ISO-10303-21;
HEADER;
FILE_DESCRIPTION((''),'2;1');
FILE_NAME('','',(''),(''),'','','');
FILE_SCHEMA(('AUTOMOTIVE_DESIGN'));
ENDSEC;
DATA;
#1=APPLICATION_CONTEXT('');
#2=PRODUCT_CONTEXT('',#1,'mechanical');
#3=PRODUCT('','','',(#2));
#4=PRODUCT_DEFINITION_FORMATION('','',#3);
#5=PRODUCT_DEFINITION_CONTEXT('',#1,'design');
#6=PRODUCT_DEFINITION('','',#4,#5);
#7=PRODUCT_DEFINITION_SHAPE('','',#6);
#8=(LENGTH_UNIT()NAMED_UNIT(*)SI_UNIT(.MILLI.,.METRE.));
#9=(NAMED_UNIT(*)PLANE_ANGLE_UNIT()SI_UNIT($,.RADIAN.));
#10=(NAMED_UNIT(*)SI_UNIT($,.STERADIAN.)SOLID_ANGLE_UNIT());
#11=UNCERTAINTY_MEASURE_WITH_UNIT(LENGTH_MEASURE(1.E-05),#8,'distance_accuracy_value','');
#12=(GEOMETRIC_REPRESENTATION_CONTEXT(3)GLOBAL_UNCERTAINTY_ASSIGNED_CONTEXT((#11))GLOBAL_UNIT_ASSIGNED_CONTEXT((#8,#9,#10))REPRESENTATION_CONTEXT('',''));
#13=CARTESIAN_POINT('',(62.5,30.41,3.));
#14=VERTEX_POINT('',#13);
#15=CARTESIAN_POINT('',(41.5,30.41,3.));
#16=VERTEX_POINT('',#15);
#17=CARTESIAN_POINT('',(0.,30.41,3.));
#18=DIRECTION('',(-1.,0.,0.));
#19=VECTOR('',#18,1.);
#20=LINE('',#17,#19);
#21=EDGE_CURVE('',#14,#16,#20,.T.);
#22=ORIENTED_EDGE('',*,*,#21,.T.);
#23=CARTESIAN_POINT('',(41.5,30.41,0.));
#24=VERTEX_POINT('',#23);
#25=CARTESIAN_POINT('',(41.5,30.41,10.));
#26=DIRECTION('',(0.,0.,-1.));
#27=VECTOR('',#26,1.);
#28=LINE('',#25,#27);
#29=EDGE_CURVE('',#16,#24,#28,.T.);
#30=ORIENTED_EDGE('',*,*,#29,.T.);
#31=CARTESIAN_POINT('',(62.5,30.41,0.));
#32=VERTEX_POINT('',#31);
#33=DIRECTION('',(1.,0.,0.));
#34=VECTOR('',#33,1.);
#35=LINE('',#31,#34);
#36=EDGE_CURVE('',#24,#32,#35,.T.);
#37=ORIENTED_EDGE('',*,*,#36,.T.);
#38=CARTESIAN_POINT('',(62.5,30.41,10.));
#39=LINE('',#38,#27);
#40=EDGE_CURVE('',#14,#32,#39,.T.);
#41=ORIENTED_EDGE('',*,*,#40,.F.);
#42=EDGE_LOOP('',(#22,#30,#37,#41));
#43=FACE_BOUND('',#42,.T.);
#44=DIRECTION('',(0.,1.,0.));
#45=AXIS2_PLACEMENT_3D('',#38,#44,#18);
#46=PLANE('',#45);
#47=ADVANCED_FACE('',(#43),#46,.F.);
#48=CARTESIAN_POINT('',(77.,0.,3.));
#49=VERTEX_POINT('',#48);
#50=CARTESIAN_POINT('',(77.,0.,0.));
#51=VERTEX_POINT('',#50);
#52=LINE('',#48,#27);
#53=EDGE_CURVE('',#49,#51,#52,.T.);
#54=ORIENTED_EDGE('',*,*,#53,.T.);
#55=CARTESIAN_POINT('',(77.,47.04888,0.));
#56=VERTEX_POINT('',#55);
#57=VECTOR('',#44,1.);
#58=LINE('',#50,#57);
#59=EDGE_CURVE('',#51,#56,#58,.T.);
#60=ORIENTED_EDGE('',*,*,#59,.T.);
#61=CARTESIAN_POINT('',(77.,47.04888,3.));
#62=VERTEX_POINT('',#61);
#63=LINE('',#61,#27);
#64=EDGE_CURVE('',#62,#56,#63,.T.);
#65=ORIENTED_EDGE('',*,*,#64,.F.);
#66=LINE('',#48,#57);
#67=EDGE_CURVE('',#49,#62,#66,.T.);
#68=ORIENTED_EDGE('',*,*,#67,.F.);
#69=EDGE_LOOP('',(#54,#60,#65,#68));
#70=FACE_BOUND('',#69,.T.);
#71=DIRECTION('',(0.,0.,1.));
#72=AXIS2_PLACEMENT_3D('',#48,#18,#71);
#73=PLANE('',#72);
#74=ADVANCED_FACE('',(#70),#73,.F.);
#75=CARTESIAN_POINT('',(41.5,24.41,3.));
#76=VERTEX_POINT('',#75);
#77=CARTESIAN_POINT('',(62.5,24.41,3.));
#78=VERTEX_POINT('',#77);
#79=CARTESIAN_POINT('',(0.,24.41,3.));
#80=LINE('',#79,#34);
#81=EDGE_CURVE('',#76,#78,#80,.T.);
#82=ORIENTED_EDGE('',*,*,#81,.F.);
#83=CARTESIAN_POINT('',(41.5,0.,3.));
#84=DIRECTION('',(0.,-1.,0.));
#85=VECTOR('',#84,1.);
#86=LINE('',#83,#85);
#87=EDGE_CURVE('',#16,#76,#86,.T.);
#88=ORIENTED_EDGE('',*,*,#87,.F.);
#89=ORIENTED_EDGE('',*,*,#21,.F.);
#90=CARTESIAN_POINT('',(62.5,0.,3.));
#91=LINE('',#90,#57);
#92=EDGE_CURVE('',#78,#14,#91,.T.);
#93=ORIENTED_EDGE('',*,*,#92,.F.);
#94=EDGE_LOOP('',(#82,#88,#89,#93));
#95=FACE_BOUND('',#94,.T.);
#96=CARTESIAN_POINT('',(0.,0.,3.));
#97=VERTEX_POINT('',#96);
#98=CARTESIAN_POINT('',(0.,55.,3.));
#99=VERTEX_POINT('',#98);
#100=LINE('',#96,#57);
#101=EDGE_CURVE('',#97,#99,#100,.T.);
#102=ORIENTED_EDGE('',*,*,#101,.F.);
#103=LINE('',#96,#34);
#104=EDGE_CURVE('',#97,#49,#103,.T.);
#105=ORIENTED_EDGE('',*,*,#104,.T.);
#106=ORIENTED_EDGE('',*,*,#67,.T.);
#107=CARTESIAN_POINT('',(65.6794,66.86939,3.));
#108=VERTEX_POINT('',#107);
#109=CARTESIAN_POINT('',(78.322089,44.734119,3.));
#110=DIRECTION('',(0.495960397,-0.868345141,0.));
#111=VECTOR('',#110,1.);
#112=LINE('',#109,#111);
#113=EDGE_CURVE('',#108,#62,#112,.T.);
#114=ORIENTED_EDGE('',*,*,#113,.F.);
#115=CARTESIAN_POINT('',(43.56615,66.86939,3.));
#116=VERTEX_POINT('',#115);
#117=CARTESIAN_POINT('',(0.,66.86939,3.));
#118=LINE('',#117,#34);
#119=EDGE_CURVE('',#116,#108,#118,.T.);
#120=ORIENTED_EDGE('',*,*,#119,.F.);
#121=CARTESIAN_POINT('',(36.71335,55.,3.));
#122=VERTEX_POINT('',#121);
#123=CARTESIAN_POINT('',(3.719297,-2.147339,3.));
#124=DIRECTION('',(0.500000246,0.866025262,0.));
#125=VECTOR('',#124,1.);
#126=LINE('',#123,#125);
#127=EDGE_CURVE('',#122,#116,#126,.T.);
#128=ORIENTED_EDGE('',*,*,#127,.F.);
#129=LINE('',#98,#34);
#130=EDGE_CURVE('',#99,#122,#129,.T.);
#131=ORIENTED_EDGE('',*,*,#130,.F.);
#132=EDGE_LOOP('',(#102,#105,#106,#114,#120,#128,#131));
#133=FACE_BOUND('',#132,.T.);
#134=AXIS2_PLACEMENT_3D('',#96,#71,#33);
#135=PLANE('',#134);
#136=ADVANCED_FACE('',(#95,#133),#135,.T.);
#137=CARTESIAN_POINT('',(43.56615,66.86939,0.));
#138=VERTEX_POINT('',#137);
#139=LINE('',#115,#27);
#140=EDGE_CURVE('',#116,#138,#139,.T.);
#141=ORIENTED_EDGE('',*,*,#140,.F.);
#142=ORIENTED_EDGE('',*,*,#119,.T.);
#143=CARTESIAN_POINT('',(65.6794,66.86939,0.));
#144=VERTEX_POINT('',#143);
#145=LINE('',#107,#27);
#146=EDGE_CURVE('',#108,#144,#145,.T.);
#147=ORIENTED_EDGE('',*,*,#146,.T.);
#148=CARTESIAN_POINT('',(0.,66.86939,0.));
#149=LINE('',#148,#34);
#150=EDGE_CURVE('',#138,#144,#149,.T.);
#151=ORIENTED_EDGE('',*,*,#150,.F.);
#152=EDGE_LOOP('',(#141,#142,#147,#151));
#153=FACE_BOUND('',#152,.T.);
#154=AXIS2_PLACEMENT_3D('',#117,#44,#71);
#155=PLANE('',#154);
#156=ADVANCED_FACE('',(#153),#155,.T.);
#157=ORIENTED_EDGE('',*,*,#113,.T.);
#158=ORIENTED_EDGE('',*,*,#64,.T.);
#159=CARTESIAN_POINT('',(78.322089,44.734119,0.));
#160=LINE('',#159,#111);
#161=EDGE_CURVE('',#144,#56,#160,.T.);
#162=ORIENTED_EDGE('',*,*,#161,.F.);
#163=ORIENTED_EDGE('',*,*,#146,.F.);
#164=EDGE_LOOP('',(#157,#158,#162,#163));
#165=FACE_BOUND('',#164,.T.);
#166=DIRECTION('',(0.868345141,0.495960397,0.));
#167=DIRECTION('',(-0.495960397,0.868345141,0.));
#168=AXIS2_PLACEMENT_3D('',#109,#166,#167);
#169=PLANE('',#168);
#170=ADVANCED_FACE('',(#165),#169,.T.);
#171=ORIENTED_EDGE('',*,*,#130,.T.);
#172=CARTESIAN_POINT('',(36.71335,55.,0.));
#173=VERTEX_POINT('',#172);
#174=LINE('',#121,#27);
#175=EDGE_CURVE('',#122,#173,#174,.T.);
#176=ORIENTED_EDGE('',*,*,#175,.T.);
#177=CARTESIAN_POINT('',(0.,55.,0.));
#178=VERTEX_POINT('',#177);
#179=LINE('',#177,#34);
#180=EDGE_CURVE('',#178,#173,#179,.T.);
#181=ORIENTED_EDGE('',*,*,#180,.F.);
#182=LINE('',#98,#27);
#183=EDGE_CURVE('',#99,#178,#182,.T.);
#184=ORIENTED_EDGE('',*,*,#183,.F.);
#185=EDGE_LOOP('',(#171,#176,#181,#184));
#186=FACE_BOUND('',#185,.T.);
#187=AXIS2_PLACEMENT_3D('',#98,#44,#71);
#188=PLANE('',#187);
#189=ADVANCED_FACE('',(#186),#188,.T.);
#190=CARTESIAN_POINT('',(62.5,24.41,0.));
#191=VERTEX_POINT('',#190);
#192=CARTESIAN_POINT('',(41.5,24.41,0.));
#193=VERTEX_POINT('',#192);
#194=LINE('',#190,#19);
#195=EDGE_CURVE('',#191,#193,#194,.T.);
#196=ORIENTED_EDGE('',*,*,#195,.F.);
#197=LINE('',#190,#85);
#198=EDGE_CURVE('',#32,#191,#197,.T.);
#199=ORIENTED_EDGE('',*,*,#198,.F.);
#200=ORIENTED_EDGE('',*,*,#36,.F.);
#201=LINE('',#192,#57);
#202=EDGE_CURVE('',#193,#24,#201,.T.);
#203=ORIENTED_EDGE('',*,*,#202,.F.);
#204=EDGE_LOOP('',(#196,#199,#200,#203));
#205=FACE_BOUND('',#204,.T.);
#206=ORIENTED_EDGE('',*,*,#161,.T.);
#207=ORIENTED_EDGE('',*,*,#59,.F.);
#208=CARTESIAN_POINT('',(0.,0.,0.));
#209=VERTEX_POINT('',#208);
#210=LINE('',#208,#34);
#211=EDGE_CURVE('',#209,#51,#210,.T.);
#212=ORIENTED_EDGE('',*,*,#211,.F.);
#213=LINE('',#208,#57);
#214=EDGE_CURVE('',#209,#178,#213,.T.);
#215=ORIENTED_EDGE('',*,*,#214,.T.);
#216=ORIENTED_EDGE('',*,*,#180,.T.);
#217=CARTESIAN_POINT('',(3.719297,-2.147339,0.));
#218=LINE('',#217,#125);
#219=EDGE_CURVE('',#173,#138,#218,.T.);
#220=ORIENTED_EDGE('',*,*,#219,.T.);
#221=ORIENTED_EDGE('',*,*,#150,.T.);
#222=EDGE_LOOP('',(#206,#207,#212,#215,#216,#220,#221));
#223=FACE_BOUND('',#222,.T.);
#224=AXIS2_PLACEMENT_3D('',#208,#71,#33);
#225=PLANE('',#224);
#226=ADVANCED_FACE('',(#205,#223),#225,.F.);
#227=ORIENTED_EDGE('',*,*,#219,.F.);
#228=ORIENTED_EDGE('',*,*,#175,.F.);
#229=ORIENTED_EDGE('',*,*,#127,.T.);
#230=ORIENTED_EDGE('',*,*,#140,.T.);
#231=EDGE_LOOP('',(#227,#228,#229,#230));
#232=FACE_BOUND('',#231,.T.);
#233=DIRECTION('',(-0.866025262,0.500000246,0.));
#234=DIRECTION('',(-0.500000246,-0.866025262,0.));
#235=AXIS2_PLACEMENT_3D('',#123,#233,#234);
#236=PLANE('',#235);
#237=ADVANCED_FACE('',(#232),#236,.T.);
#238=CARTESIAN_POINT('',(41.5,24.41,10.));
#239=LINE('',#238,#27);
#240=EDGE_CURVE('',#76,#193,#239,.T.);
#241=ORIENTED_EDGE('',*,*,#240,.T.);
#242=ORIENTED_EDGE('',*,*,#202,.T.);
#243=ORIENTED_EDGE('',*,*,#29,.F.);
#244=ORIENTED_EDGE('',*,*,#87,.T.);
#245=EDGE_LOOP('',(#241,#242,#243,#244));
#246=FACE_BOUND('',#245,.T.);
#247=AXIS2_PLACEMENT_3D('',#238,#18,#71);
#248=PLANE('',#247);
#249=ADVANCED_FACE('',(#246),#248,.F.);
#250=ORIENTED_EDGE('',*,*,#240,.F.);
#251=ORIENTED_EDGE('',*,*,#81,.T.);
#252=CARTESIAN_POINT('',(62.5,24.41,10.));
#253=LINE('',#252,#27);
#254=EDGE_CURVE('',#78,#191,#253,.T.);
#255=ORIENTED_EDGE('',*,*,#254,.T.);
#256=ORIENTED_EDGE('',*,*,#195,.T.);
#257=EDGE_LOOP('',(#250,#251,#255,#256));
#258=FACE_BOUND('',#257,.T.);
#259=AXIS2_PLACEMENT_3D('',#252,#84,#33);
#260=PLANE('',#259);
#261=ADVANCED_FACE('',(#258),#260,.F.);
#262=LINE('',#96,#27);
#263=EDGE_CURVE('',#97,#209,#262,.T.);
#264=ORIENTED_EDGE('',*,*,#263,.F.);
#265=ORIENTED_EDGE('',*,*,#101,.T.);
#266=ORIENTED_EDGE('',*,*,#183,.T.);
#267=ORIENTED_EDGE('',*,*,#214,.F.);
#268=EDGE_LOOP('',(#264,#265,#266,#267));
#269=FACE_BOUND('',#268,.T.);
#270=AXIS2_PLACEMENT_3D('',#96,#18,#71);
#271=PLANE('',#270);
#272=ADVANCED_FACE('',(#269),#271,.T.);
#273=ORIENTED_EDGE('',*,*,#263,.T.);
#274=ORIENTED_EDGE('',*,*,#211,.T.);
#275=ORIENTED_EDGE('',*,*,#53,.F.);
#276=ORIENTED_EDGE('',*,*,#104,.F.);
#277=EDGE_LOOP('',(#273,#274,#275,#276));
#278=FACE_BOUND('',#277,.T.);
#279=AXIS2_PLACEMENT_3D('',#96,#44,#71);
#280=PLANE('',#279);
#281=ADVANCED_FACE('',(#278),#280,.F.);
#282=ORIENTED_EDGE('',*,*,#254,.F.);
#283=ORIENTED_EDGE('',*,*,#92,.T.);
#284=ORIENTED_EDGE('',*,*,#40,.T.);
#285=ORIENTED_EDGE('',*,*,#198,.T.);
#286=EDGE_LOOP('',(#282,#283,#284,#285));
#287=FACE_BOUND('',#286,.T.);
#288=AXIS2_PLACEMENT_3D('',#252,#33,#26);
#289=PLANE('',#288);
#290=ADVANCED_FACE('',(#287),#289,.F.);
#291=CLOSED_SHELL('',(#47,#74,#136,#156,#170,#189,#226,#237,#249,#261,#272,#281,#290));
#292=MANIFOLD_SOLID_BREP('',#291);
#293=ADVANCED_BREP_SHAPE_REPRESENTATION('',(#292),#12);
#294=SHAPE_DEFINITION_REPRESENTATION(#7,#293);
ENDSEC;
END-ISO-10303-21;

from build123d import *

# Parameters (mm, degrees)
BOSS_EXTRUDE1_DEPTH = 3
SKETCH3_W           = 21
SKETCH3_H           = 6
CUT_EXTRUDE1_DEPTH  = 10


with BuildPart() as part:
    # Sketch2 → Boss-Extrude1 (new body)
    with BuildSketch(Plane.XY):
        Polygon((0, 0), (77, 0), (77, 47.04888), (65.6794, 66.86939), (43.56615, 66.86939), (36.71335, 55), (0, 55), align=None)
    extrude(amount=BOSS_EXTRUDE1_DEPTH)

    # Sketch3 → Cut-Extrude1 (cut)
    with BuildSketch(Plane(origin=(0, 0, 0), x_dir=(-1, 0, 0), z_dir=(0, 0, -1))):
        with Locations((-52, 27.41)):
            Rectangle(SKETCH3_W, SKETCH3_H)
    extrude(amount=-CUT_EXTRUDE1_DEPTH, mode=Mode.SUBTRACT)


solid = part.part
